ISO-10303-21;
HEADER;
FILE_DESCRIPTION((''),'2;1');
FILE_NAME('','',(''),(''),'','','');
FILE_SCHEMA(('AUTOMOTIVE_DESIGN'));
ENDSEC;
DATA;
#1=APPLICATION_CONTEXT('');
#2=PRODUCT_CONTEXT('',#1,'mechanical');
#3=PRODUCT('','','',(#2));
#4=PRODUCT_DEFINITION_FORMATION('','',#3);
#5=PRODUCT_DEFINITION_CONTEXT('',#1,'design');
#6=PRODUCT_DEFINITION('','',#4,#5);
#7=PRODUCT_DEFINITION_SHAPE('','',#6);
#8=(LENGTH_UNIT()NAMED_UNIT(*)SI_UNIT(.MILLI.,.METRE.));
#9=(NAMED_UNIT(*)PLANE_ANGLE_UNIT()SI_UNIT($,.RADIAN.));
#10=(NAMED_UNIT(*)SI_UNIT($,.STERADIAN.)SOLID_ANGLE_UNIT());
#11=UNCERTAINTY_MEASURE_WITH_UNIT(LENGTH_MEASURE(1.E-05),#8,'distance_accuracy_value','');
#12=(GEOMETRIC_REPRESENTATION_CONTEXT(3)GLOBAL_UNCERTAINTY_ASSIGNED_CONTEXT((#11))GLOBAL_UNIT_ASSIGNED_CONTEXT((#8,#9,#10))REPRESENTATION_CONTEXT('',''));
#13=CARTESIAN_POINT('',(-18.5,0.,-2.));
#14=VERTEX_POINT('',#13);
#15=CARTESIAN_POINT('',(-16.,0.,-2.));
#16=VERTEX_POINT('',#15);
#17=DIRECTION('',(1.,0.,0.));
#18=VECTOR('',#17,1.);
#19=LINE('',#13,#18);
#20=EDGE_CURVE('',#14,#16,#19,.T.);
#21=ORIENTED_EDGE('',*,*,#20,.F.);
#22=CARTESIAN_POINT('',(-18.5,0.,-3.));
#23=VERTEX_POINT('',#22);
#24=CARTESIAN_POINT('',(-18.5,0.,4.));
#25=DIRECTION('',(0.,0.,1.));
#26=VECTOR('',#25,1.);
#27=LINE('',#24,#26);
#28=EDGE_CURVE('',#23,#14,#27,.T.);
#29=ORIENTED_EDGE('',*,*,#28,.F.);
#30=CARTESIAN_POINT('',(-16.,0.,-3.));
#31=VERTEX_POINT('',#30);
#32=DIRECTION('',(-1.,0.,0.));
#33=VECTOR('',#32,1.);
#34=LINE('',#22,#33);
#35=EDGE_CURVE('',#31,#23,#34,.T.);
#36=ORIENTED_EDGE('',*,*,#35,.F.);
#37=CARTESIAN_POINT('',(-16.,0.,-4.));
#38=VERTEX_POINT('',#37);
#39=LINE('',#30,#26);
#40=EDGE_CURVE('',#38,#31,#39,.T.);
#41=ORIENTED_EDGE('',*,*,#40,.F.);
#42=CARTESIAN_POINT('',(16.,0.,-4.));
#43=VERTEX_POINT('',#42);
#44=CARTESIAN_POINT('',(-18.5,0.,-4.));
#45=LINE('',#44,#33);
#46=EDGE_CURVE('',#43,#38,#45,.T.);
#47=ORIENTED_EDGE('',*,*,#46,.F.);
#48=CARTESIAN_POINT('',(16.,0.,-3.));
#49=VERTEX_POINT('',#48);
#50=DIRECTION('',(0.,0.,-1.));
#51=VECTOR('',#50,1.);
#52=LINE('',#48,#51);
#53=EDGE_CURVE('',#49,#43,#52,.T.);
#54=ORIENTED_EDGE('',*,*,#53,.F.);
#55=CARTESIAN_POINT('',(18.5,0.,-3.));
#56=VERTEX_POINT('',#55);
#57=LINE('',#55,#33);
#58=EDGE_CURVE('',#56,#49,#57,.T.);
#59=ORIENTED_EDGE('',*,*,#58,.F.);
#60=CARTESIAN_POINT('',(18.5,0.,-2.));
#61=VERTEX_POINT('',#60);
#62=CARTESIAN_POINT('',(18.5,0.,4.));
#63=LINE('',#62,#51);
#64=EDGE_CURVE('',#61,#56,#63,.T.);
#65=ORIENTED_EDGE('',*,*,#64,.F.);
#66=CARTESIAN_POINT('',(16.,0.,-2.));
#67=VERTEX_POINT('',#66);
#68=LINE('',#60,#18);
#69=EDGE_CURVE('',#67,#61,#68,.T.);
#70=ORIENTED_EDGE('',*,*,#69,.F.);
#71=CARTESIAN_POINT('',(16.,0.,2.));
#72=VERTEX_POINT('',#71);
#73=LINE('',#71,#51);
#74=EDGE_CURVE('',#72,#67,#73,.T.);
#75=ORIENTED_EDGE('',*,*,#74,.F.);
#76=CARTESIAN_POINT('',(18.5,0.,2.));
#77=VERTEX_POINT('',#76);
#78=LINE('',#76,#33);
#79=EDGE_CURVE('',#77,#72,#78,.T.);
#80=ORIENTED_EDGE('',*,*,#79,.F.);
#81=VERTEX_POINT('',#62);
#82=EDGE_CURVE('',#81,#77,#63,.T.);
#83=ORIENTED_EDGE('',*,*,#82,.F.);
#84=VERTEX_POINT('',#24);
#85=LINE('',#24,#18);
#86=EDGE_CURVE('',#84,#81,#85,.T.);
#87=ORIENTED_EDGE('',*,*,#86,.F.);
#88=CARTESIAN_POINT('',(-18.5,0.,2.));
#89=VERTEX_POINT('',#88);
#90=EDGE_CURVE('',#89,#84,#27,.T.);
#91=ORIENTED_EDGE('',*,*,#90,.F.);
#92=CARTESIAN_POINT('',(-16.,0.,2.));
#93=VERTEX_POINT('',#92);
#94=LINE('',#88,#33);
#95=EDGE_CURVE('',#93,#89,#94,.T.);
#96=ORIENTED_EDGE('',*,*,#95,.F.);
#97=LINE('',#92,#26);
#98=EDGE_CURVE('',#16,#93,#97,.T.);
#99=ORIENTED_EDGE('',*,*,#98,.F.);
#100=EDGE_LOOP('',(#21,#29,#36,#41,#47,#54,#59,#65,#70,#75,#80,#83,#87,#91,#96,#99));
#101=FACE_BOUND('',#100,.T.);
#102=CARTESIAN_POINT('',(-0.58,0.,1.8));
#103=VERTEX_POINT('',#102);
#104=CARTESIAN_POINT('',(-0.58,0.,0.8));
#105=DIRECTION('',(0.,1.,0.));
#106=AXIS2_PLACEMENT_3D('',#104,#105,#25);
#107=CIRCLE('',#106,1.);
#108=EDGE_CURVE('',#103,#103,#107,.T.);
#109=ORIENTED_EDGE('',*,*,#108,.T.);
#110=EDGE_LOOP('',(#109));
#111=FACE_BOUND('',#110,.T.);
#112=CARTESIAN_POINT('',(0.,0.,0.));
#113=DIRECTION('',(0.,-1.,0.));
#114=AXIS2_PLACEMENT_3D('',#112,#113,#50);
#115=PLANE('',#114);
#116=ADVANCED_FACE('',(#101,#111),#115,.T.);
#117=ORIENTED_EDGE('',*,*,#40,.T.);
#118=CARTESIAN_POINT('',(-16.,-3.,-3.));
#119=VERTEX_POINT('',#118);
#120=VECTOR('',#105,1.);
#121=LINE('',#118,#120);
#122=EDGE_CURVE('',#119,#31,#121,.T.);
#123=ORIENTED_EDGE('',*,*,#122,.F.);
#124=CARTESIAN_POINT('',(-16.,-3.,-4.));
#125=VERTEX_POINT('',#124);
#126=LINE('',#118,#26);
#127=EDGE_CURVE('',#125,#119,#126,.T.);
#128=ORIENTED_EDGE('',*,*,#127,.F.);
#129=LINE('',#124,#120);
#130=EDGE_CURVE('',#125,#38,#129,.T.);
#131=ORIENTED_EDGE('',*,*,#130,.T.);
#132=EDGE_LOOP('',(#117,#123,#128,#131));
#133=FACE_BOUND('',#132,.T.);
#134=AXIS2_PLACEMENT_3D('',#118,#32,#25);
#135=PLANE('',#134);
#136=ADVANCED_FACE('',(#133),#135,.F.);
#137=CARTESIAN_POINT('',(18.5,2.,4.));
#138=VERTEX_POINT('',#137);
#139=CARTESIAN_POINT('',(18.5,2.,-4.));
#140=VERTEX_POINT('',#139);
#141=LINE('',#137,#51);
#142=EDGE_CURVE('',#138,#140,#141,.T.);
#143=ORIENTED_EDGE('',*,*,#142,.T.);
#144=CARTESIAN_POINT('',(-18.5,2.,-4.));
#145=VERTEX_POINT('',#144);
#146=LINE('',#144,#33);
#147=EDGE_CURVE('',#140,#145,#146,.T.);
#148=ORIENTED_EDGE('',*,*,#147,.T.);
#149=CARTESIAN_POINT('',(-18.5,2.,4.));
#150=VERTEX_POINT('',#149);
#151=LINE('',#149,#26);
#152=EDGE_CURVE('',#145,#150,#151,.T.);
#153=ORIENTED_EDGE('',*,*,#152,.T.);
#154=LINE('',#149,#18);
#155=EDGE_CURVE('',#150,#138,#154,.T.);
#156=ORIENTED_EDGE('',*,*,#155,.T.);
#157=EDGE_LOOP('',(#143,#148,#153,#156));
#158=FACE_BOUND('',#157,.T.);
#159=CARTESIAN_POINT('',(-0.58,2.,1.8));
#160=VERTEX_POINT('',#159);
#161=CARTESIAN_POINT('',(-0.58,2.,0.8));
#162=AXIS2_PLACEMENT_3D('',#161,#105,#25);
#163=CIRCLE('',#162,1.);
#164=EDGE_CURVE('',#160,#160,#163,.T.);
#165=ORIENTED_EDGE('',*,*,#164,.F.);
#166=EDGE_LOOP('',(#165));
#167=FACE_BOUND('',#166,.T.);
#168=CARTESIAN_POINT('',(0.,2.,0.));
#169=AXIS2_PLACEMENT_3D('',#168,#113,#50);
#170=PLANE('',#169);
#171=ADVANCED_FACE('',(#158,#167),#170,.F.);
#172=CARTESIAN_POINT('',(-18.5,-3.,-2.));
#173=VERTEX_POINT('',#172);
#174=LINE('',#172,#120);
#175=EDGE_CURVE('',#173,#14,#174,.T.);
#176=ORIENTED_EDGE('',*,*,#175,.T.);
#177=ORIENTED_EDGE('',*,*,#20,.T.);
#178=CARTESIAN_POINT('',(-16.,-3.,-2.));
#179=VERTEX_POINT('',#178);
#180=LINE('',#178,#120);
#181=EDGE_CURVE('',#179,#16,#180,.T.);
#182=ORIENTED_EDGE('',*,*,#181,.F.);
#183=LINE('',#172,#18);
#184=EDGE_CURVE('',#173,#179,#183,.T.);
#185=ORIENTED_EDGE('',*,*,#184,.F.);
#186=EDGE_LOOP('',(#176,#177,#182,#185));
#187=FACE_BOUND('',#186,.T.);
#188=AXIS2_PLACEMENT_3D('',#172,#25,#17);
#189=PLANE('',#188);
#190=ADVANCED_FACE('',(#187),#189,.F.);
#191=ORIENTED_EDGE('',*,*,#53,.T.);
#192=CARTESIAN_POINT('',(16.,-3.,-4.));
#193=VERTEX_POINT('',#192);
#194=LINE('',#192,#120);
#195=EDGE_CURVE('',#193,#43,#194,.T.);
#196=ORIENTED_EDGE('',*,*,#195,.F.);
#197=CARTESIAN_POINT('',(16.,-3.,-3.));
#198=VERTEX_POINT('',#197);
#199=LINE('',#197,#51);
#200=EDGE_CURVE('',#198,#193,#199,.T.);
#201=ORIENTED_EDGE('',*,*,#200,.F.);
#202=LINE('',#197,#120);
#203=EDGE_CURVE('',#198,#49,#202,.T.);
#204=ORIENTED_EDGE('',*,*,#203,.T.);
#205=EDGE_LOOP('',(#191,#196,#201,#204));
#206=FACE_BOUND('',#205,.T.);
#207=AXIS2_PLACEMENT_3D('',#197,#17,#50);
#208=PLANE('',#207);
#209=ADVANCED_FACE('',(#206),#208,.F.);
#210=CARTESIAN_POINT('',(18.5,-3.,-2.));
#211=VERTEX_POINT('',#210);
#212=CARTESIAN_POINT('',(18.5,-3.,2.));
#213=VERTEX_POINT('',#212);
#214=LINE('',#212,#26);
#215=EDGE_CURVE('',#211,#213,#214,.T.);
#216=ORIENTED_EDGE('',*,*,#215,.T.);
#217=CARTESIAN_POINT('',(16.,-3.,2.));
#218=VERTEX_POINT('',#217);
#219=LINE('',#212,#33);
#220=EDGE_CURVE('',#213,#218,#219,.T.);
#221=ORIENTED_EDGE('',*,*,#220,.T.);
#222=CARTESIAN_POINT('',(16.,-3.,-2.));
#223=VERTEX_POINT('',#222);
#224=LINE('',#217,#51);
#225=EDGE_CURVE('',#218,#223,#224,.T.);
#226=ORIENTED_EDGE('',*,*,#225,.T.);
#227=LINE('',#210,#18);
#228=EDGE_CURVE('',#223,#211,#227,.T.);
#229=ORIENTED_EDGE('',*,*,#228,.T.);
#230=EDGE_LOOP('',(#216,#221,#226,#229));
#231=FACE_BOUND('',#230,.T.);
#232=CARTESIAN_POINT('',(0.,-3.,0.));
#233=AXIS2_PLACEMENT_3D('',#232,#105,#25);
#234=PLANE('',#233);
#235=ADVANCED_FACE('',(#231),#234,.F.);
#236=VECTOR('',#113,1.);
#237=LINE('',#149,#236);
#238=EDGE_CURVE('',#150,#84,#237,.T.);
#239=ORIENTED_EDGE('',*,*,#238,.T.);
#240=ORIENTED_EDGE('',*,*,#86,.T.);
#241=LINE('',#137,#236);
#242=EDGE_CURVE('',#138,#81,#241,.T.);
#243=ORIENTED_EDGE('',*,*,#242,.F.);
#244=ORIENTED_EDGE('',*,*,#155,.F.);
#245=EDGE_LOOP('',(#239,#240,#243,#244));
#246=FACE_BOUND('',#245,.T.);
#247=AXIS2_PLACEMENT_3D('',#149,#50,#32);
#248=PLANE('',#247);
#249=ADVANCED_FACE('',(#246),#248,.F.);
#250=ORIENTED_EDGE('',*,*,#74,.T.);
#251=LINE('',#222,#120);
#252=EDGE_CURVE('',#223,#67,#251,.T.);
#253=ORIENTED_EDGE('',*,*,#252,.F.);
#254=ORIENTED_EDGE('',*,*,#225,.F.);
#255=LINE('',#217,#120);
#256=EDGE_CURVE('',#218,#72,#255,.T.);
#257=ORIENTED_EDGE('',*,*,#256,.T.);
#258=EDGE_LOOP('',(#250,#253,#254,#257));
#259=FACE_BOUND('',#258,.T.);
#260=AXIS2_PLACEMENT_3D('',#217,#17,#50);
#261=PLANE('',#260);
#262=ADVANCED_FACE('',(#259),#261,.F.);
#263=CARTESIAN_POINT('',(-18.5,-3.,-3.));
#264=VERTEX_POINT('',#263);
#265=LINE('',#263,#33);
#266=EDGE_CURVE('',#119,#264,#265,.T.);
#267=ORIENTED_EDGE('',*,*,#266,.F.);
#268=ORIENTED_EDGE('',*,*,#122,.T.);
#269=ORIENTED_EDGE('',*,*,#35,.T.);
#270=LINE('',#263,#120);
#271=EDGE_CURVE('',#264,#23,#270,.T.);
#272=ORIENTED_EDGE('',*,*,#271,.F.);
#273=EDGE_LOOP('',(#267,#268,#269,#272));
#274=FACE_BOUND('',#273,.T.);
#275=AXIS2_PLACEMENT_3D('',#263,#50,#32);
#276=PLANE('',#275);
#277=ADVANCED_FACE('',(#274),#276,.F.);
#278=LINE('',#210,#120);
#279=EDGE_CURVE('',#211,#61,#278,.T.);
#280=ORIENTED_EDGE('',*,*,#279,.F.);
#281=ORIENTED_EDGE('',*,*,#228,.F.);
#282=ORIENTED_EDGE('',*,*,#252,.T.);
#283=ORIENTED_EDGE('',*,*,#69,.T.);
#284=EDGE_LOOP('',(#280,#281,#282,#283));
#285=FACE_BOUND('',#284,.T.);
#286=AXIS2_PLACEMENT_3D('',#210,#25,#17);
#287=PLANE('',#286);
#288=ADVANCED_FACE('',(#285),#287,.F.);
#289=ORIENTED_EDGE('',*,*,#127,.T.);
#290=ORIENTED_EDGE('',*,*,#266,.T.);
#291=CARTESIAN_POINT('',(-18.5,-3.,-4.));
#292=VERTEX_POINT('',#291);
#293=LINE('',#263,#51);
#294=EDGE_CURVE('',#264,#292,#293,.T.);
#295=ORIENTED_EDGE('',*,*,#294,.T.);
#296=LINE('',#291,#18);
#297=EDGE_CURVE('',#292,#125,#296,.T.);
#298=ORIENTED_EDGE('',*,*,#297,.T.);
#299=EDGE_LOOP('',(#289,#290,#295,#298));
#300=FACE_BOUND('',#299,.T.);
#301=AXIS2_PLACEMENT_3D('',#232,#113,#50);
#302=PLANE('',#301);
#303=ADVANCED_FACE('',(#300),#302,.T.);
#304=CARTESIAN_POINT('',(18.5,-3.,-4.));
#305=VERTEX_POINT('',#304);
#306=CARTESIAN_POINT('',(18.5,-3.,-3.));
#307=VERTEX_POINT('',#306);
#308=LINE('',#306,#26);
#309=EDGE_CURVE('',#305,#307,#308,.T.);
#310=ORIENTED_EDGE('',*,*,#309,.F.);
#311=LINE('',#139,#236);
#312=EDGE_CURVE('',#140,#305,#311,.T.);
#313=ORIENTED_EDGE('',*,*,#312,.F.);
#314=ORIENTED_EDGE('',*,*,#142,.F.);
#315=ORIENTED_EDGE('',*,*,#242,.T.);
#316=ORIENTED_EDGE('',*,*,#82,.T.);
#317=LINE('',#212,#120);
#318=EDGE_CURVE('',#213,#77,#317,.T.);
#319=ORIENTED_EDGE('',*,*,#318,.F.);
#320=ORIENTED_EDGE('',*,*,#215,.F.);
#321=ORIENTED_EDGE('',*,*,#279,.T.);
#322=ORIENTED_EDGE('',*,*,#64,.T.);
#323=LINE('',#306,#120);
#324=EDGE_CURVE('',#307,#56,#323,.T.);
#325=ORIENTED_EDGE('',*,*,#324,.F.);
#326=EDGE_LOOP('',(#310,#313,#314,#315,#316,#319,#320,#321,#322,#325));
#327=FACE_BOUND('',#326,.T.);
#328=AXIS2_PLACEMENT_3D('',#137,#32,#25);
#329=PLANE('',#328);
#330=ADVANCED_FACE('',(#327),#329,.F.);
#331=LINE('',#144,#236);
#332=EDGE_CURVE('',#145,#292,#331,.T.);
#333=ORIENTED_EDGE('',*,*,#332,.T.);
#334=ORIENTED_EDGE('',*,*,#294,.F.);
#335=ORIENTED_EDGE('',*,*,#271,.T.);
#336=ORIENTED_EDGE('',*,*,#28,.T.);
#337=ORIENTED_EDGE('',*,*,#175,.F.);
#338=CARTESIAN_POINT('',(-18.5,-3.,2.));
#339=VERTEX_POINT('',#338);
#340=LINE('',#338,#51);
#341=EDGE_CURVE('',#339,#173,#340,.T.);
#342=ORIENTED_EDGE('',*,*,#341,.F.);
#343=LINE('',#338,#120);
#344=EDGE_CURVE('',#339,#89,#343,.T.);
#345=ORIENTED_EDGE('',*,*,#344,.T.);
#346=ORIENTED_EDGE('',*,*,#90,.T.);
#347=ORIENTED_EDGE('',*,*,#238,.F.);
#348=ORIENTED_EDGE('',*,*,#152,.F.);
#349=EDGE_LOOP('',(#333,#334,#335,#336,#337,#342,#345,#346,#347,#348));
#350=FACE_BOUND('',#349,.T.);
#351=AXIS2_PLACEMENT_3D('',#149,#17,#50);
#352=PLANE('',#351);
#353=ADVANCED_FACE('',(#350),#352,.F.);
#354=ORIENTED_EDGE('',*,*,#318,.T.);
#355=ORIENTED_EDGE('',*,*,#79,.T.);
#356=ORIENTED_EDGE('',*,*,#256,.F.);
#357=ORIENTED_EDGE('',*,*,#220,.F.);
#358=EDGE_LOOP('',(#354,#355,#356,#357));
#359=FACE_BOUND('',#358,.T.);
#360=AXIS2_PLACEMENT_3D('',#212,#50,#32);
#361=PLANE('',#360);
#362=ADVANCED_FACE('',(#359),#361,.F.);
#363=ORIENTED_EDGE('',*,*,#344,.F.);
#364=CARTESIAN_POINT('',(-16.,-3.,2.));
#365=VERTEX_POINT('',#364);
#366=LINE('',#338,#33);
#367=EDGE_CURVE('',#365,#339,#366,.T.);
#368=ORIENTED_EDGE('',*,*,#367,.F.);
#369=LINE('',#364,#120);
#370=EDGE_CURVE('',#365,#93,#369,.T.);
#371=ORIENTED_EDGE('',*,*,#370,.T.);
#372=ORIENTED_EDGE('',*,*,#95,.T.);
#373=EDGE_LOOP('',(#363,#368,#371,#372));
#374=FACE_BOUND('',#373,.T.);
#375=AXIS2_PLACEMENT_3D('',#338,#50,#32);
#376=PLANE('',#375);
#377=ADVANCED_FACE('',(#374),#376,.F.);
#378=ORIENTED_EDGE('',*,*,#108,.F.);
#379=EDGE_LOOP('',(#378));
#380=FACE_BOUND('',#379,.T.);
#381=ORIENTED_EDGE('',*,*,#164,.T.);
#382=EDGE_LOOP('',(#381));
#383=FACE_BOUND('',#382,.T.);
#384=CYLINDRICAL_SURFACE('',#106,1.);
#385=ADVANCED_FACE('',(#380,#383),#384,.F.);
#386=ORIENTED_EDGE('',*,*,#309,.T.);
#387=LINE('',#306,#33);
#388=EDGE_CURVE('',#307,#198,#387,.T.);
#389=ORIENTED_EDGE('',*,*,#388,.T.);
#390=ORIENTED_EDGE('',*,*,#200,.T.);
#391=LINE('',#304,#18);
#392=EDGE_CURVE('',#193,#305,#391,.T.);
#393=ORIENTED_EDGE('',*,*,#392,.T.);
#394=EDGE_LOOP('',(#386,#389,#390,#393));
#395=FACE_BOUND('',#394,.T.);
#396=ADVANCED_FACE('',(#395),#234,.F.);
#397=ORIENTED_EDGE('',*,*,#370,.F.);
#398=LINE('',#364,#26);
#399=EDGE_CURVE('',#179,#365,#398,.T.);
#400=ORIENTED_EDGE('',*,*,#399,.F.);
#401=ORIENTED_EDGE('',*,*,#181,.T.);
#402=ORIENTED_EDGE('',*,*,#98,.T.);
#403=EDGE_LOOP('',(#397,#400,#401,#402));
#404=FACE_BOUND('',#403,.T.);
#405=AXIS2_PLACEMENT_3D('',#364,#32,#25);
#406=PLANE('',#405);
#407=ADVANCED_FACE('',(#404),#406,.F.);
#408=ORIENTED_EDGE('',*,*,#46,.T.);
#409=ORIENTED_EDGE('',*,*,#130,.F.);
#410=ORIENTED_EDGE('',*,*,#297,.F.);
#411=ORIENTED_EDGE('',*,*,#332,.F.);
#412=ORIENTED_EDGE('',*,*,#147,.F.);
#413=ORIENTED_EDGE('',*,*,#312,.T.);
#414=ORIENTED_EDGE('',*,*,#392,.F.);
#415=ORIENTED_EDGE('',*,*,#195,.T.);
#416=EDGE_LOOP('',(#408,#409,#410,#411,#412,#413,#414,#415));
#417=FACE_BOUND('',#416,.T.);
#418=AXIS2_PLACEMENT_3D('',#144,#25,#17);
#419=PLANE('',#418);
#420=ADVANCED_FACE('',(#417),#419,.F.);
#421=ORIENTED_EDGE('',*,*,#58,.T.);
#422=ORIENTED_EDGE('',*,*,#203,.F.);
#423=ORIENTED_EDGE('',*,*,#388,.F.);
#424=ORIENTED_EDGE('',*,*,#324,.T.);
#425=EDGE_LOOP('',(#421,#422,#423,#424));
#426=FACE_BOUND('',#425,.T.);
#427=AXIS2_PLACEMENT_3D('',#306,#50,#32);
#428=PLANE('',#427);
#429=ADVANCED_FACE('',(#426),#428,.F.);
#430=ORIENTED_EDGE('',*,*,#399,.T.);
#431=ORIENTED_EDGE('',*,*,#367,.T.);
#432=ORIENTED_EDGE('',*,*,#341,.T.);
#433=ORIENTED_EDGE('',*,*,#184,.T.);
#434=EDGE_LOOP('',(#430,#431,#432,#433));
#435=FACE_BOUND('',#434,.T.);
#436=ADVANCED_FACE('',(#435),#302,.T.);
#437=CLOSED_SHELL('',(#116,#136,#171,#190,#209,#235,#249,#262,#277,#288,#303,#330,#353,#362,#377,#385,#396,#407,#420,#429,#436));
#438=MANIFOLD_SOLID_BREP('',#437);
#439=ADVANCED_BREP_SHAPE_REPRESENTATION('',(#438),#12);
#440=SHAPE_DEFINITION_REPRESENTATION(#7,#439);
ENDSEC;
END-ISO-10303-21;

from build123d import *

# Parameters (mm, degrees)
SKETCH1_W           = 37
SKETCH1_H           = 8
BOSS_EXTRUDE1_DEPTH = 2
SKETCH2_R           = 1
CUT_EXTRUDE1_DEPTH  = 3
SKETCH3_W           = 2.5
SKETCH3_H           = 4
SKETCH3_H_2         = 1
BOSS_EXTRUDE2_DEPTH = 3


with BuildPart() as part:
    # Sketch1 → Boss-Extrude1 (new body)
    with BuildSketch(Plane(origin=(0, 0, 0), x_dir=(1, 0, 0), z_dir=(0, 1, 0))):
        Rectangle(SKETCH1_W, SKETCH1_H)
    extrude(amount=BOSS_EXTRUDE1_DEPTH)

    # Sketch2 → Cut-Extrude1 (cut, through all)
    with BuildSketch(Plane(origin=(0, 2, 0), x_dir=(1, 0, 0), z_dir=(0, 1, 0))):
        with Locations((-0.58, -0.8)):
            Circle(SKETCH2_R)
    extrude(amount=-CUT_EXTRUDE1_DEPTH, mode=Mode.SUBTRACT)

    # Sketch3 → Boss-Extrude2 (add)
    with BuildSketch(Plane.XZ):
        with Locations((17.25, 0)):
            Rectangle(SKETCH3_W, SKETCH3_H)
        with Locations((17.25, -3.5)):
            Rectangle(SKETCH3_W, SKETCH3_H_2)
        with Locations((-17.25, -3.5)):
            Rectangle(SKETCH3_W, SKETCH3_H_2)
        with Locations((-17.25, 0)):
            Rectangle(SKETCH3_W, SKETCH3_H)
    extrude(amount=BOSS_EXTRUDE2_DEPTH)


solid = part.part
